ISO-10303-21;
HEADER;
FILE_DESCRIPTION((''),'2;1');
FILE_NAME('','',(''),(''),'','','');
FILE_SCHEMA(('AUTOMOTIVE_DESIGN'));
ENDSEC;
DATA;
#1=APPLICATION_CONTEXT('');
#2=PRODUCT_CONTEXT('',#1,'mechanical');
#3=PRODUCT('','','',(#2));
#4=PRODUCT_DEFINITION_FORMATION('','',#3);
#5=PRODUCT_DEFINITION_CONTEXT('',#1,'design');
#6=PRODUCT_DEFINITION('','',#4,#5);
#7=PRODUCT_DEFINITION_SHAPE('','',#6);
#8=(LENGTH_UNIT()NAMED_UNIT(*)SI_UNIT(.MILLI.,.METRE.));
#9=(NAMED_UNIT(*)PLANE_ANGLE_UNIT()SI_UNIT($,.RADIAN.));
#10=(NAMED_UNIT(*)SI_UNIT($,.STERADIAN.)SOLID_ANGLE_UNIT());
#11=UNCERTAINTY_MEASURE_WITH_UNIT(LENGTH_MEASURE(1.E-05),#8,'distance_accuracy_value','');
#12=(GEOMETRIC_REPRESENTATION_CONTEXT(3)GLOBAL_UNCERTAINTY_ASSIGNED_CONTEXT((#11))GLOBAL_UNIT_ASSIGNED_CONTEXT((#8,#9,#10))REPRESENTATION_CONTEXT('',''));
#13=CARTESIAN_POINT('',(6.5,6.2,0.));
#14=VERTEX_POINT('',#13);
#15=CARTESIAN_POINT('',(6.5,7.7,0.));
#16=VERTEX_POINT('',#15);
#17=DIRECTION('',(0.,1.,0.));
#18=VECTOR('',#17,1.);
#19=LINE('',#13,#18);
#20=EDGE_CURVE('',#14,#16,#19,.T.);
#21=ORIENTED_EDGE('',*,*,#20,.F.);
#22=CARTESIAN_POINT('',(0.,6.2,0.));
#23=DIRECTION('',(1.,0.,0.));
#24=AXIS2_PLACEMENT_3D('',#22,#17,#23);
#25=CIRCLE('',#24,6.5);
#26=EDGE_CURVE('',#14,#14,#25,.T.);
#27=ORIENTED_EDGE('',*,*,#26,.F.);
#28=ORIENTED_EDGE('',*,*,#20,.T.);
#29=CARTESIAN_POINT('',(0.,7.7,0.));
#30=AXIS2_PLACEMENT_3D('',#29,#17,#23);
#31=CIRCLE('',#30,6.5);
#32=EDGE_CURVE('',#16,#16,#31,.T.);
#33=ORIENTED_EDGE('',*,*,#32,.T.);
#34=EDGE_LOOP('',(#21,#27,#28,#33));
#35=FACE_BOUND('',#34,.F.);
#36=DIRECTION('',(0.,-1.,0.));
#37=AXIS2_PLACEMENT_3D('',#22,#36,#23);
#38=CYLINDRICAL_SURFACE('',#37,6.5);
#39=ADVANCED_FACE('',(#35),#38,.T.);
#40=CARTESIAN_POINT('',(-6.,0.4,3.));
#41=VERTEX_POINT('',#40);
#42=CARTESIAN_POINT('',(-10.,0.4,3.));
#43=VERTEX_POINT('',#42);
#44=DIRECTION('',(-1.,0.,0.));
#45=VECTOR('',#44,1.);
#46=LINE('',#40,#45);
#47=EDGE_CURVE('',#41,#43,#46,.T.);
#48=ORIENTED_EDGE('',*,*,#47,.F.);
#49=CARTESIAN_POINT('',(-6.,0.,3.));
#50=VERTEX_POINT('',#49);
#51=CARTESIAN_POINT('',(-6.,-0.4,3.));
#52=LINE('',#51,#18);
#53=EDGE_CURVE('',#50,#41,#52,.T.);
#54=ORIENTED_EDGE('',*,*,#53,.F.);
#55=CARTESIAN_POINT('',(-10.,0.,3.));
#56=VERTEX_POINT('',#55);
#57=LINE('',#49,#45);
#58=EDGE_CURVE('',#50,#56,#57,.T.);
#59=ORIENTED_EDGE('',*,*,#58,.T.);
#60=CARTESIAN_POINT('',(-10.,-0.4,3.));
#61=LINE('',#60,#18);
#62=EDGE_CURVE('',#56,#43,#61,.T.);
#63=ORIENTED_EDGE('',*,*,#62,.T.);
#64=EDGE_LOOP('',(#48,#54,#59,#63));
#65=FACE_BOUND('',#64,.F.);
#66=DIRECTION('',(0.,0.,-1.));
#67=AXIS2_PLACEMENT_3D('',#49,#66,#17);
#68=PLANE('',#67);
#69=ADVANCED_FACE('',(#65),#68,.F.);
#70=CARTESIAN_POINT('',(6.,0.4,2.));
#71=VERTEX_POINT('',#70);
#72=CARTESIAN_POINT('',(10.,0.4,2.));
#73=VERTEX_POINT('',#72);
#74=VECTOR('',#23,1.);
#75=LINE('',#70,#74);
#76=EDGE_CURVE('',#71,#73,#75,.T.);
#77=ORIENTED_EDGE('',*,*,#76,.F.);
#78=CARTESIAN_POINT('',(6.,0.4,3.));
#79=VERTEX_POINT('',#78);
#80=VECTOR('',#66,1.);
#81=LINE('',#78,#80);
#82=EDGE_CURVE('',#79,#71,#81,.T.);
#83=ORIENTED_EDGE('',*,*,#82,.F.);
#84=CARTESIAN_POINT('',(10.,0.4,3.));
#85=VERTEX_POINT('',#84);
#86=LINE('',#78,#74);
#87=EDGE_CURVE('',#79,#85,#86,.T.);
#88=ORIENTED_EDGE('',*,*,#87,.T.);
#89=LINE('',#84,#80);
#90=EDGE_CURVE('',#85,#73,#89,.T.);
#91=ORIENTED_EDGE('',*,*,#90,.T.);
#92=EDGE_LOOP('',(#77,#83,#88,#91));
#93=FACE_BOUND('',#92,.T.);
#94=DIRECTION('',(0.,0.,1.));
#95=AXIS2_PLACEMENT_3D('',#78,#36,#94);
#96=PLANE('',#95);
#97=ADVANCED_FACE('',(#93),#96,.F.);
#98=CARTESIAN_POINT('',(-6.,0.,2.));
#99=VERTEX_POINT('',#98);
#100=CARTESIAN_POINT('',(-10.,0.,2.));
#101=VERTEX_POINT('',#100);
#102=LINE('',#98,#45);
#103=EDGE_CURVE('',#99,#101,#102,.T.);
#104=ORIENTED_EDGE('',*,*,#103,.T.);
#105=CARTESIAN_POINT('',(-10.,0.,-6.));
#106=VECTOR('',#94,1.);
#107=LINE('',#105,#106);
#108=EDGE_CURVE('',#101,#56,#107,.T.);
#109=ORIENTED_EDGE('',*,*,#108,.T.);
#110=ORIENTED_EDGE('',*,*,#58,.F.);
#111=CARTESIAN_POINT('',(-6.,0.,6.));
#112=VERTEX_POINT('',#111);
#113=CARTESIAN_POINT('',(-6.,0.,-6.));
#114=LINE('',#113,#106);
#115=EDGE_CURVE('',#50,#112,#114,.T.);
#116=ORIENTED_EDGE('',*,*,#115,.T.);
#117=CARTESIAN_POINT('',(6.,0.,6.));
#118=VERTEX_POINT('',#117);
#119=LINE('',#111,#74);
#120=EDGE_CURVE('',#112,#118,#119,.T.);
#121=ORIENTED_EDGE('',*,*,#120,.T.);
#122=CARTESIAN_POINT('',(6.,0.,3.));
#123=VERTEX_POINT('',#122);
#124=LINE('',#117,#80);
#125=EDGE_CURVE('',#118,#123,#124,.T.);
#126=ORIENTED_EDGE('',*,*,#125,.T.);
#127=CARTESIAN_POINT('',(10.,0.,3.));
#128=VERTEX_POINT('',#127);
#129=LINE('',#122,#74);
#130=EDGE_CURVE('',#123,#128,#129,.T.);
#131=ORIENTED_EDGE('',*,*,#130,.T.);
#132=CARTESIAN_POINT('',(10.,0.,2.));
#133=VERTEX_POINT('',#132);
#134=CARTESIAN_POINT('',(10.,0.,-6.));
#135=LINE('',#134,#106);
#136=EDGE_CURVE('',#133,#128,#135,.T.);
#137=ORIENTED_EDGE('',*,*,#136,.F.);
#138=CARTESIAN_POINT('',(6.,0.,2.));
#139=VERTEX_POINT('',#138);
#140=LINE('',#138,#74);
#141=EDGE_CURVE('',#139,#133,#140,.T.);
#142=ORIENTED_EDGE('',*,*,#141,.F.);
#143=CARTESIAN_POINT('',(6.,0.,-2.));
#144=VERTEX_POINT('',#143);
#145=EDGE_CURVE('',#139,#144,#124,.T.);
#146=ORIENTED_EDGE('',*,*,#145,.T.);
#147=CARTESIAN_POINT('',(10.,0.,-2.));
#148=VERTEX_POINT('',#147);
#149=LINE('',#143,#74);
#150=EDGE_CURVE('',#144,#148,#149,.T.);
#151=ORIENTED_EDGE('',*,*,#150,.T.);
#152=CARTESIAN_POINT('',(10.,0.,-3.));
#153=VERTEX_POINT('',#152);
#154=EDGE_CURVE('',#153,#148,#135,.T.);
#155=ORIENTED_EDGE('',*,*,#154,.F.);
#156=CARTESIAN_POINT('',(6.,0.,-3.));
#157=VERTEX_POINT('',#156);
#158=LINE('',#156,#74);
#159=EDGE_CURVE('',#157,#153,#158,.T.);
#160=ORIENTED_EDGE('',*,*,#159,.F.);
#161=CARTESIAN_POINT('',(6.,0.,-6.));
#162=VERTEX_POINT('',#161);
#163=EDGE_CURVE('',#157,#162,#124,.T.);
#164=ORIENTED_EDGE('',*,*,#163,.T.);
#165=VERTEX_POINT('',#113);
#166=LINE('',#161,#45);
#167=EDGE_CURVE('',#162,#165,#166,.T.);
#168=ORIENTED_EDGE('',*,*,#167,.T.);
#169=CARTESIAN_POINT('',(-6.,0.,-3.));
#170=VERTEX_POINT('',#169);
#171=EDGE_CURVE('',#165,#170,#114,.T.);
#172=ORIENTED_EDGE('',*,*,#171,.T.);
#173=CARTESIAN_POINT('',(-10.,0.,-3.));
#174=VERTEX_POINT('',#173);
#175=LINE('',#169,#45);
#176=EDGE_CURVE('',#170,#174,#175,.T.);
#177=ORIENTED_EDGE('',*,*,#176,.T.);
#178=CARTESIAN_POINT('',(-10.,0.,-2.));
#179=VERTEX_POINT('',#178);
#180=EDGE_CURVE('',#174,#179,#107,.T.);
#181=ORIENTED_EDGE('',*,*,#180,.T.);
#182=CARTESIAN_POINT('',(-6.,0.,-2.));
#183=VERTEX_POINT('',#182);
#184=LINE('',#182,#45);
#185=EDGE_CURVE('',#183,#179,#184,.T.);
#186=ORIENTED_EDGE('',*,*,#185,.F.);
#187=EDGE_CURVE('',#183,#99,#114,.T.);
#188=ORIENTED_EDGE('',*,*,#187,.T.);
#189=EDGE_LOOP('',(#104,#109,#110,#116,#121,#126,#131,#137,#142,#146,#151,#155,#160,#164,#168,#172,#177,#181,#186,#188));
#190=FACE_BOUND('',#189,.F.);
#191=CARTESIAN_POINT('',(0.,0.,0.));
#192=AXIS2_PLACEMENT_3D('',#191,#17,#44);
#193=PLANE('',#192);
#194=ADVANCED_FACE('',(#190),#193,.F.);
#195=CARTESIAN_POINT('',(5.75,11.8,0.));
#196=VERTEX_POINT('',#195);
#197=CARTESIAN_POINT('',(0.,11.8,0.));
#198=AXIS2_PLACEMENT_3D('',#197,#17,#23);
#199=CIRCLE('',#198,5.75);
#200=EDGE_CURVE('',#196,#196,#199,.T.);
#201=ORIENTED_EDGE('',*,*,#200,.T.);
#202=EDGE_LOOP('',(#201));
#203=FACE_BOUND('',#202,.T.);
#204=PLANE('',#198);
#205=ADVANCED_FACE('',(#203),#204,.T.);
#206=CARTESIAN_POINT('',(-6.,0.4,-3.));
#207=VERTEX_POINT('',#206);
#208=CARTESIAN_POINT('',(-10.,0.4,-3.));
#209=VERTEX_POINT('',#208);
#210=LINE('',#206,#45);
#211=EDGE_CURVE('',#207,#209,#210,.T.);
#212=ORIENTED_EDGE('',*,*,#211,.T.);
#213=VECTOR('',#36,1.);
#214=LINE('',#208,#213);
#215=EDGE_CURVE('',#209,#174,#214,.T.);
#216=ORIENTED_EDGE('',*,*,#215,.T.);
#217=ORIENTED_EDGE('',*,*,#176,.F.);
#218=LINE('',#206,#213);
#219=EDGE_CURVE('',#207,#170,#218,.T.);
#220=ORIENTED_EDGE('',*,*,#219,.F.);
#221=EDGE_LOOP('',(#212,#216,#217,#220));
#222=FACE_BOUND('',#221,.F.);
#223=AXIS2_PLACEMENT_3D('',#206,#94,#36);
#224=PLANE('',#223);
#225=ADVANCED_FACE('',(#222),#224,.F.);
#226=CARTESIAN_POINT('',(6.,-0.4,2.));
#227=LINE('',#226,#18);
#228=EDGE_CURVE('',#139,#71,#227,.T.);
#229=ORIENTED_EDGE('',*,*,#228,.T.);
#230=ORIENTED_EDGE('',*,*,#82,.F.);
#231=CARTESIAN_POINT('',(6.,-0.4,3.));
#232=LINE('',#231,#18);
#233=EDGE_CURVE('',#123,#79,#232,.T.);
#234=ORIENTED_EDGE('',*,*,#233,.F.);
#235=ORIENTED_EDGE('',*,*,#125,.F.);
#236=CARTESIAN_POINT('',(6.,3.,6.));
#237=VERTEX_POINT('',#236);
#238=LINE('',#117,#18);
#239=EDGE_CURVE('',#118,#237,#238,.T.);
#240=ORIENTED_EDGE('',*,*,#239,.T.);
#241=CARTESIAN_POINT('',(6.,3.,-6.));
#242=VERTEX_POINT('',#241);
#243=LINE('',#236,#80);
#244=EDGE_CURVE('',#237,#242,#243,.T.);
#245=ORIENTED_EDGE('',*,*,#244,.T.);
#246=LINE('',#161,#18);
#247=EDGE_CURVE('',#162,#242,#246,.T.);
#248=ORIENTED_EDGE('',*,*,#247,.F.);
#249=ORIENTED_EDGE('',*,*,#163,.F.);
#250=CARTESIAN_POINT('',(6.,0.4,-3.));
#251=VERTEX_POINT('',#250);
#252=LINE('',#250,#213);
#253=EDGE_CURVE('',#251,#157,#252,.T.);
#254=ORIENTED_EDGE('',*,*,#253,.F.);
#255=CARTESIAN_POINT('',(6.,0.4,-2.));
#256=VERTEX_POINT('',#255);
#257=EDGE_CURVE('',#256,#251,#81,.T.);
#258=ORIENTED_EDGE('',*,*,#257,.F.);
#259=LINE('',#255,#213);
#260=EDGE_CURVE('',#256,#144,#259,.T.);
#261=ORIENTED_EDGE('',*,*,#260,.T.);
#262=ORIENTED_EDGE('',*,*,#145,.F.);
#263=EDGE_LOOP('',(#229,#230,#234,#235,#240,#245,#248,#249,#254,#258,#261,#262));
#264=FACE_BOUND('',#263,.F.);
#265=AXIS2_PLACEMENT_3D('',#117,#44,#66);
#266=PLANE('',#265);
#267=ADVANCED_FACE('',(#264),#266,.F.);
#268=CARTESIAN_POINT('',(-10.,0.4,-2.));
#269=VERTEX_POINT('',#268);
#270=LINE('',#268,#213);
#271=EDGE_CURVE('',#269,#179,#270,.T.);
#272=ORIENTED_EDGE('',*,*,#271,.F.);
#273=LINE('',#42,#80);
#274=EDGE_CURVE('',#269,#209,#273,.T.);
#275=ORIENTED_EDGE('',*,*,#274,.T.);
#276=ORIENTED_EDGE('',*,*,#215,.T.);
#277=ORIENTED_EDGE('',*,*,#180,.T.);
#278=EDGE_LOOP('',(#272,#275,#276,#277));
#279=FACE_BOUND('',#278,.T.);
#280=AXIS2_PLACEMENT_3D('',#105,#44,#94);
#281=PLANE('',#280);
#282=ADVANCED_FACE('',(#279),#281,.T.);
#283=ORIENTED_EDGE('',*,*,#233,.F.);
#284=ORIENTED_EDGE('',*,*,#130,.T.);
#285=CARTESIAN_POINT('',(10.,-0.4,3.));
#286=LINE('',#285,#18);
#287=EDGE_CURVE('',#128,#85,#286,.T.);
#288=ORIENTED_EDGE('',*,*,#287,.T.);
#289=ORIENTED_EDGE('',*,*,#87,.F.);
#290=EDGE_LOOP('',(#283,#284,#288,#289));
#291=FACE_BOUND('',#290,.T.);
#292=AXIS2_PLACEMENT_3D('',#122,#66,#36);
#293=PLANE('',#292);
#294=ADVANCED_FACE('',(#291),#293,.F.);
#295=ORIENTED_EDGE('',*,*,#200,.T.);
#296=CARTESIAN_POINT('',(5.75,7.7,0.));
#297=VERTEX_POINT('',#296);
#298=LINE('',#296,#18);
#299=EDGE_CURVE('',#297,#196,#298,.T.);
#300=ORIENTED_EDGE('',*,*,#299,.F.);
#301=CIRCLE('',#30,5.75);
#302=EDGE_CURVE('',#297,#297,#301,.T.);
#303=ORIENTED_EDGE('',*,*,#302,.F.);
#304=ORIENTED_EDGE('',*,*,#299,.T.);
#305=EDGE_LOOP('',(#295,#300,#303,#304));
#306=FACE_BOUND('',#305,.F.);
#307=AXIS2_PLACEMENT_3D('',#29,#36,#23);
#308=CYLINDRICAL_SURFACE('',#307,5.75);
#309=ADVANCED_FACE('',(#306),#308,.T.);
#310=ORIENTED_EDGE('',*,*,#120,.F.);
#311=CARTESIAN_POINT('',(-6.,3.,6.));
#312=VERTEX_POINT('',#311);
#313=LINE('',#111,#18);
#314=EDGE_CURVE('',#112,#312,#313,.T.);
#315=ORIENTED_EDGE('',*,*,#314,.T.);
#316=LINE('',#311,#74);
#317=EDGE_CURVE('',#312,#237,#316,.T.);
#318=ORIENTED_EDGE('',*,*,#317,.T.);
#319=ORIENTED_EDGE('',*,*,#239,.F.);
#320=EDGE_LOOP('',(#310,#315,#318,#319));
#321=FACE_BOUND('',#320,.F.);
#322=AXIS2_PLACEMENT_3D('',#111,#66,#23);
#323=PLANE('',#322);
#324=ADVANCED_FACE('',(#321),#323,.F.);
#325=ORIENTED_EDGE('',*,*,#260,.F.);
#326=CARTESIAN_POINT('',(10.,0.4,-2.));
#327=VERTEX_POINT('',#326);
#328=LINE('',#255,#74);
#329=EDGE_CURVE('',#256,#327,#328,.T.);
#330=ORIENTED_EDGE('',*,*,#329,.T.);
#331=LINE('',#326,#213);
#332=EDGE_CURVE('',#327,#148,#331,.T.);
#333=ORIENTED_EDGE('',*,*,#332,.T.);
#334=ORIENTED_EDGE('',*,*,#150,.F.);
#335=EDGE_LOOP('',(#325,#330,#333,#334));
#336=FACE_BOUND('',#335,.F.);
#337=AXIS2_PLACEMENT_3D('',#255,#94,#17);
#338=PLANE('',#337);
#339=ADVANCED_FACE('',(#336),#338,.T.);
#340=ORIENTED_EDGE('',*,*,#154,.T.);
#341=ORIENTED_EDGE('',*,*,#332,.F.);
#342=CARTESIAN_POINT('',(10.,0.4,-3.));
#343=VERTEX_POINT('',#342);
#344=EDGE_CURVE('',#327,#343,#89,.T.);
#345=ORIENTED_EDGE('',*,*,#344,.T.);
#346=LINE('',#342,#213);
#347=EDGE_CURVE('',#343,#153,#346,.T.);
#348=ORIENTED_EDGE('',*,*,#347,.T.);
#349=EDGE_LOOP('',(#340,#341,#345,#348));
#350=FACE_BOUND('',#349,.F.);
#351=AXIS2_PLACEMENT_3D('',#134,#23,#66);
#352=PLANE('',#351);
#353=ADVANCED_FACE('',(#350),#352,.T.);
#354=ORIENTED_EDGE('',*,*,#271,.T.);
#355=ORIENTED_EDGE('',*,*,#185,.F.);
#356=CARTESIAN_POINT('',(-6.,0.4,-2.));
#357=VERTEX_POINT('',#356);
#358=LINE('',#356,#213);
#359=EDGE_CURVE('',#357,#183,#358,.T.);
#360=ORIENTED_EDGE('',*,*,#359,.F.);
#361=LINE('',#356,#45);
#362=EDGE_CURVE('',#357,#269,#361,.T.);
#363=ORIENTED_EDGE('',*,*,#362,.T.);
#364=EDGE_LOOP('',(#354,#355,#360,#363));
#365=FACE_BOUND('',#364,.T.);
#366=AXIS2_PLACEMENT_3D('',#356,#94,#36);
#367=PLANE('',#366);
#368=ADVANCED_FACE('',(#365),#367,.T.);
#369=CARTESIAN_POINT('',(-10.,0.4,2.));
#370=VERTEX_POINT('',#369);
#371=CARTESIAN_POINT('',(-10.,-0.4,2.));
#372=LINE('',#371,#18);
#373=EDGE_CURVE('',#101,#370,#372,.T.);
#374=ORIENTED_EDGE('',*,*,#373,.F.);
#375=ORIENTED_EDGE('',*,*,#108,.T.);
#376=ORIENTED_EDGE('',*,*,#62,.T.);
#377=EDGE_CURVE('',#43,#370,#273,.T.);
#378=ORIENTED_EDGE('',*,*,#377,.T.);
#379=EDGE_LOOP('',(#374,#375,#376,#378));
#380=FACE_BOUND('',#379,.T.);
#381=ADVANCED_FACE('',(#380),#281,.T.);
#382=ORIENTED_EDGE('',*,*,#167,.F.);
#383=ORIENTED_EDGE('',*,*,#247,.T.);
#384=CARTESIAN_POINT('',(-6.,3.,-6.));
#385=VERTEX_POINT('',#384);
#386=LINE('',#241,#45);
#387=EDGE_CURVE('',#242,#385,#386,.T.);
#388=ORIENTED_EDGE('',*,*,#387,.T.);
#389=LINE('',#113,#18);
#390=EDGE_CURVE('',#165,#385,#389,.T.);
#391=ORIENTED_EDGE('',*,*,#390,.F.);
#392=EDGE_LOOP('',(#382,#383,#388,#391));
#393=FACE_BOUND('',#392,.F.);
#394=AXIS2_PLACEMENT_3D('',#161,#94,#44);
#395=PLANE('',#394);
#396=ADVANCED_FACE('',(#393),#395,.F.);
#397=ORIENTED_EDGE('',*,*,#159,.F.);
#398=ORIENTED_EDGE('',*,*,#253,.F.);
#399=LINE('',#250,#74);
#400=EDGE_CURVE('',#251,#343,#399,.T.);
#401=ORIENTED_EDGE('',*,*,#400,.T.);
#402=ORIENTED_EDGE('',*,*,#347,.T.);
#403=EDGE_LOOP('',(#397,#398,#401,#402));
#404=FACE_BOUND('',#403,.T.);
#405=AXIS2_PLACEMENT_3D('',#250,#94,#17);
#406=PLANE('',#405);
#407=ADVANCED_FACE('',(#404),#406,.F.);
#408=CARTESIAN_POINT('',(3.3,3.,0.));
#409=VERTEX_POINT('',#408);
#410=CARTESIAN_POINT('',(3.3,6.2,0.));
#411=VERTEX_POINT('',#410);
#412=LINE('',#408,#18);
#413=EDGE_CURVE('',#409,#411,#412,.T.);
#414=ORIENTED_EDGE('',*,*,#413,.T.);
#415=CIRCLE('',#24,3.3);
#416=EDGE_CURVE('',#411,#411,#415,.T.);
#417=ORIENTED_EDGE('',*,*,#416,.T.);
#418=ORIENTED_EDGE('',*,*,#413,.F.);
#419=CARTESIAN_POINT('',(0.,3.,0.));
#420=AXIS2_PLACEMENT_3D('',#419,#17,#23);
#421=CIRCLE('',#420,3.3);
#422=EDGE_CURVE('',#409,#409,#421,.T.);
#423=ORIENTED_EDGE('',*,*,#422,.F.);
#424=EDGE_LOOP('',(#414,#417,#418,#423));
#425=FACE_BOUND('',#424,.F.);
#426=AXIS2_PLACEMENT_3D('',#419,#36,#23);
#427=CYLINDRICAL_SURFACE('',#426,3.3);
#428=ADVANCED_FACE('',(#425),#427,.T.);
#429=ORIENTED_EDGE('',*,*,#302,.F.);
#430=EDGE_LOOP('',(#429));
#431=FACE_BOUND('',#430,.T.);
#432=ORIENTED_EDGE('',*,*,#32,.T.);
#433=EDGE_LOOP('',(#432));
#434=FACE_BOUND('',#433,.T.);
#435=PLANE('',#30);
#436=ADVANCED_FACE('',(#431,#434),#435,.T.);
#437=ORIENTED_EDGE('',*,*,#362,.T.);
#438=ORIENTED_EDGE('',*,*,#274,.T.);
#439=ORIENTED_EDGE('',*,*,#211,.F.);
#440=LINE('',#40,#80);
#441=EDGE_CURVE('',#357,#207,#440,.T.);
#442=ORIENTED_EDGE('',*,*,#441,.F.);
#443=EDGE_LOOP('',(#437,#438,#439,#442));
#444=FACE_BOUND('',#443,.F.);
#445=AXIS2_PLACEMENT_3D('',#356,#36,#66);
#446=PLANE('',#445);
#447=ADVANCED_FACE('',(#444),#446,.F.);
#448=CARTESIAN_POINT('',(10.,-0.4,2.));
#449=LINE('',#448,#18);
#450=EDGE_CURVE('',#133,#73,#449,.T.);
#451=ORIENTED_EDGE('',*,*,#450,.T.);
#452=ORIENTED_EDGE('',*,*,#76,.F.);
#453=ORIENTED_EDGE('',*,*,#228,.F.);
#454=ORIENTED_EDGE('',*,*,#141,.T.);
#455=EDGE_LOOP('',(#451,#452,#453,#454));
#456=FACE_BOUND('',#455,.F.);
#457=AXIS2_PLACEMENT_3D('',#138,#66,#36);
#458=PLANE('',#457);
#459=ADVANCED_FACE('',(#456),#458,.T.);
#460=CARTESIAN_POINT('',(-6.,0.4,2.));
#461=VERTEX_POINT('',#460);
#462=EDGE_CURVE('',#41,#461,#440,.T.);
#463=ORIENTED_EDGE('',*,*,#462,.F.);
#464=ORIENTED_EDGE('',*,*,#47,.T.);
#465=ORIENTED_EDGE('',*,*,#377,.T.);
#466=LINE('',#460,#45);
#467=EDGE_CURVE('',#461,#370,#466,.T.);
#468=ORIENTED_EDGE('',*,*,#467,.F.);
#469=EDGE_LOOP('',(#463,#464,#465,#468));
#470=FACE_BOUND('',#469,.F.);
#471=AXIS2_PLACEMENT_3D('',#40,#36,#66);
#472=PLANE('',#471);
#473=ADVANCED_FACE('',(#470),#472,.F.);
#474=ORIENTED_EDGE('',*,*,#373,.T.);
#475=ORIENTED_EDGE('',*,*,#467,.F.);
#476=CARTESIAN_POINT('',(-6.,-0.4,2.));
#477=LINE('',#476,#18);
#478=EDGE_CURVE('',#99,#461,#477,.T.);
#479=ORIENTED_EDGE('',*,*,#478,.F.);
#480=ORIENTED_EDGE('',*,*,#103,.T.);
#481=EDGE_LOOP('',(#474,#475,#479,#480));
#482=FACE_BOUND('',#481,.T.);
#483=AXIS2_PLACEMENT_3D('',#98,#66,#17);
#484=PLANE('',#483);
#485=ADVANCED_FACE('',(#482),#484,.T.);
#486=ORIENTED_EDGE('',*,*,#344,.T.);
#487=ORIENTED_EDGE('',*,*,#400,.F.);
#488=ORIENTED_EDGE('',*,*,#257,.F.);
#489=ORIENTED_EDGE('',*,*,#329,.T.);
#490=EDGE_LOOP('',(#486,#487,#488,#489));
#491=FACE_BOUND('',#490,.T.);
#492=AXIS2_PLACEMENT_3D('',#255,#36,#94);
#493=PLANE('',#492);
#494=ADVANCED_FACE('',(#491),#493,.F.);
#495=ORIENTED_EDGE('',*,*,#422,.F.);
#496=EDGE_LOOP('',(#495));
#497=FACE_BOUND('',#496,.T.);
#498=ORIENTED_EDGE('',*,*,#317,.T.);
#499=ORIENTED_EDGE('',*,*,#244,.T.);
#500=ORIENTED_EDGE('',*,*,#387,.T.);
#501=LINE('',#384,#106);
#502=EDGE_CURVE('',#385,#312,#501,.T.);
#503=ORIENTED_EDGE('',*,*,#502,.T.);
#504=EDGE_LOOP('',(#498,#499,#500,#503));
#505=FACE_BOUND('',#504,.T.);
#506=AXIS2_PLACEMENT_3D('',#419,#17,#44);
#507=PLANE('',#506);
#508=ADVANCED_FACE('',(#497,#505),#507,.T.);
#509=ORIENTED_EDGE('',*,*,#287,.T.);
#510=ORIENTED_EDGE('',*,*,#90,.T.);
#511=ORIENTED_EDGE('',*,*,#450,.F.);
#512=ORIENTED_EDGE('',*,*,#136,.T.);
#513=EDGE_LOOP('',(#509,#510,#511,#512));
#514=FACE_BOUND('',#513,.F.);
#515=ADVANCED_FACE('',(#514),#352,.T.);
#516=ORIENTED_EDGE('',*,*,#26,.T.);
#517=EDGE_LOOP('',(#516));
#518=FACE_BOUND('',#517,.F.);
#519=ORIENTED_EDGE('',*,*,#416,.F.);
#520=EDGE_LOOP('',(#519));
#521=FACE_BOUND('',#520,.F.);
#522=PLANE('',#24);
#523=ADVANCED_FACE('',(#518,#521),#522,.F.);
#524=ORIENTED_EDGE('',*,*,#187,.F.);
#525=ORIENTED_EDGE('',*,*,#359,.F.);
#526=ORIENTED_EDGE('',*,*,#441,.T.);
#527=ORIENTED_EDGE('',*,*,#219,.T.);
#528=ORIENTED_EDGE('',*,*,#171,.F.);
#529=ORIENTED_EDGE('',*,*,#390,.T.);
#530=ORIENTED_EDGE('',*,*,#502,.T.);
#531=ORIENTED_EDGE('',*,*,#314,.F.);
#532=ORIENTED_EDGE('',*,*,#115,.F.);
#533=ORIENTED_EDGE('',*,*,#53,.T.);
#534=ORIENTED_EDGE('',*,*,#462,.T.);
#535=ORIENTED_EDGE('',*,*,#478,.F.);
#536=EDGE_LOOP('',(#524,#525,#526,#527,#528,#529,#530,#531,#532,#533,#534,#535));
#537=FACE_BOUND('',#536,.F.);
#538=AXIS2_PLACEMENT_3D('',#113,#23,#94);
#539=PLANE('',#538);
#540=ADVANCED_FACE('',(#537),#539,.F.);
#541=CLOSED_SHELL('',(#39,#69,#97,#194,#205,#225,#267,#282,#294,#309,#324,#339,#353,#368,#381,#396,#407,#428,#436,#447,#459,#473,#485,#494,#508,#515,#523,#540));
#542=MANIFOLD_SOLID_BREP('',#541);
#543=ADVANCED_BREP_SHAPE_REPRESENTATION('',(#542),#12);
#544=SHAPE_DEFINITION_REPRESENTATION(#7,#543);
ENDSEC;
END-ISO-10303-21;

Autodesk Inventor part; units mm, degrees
ref_plane "YZ Plane" through (0, 0, 0) normal (1, 0, 0) x (0, 1, 0)
ref_plane "XZ Plane" through (0, 0, 0) normal (0, 1, 0) x (-1, 0, 0)
ref_plane "XY Plane" through (0, 0, 0) normal (0, 0, 1) x (1, 0, 0)
sketch "Sketch3" plane through (0, 0, 0) normal (0, 1, 0) x (-1, 0, 0)
  line L0 (6, 6) -> (-6, 6)
  line L1 (-6, 6) -> (-6, -6)
  line L2 (-6, -6) -> (6, -6)
  line L3 (6, -6) -> (6, 6)
  line L4 (6, 6) -> (-6, -6) construction
  line L5 (-6, 6) -> (6, -6) construction
  point P0 (0, 0)
  dimension "d7" = 12
  dimension "d8" = 12
extrude "Extrusion3" add sketch "Sketch3" along normal blind 3
sketch "Sketch4" plane through (0, 3, 0) normal (0, 1, 0) x (1, 0, 0)
  circle A0 centre (0, 0) radius 3.3
  dimension "d11" = 6.6
extrude "Extrusion4" add sketch "Sketch4" along normal blind 3.2
sketch "Sketch5" plane through (0, 6.2, 0) normal (0, 1, 0) x (1, 0, 0)
  circle A0 centre (0, 0) radius 6.5
  dimension "d14" = 13
extrude "Extrusion5" add sketch "Sketch5" along normal blind 1.5
sketch "Sketch6" plane through (0, 7.7, 0) normal (0, 1, 0) x (1, 0, 0)
  circle A0 centre (0, 0) radius 5.75
  dimension "d17" = 11.5
extrude "Extrusion6" add sketch "Sketch6" along normal blind 4.1
sketch "Sketch7" plane through (-6, 0, -6) normal (-1, 0, 0) x (0, 0, 1)
  line L0 (3, -0.4) -> (9, -0.4)
  line L1 (9, -0.4) -> (9, 0.4)
  line L2 (9, 0.4) -> (3, 0.4)
  line L3 (3, 0.4) -> (3, -0.4)
  line L4 (3, -0.4) -> (9, 0.4) construction
  line L5 (9, -0.4) -> (3, 0.4) construction
  line L6 (4, -0.4) -> (8, -0.4)
  line L7 (8, -0.4) -> (8, 0.4)
  line L8 (8, 0.4) -> (4, 0.4)
  line L9 (4, 0.4) -> (4, -0.4)
  line L10 (4, -0.4) -> (8, 0.4) construction
  line L11 (8, -0.4) -> (4, 0.4) construction
  line L12 (0, 0) -> (12, 0) projected
  point P0 (6, 0)
  point P1 (8, 0)
  point P2 (9, 0)
  point P3 (3, 0)
  point P4 (4, 0)
  dimension "d20" = 6
  dimension "d21" = 0.8
  dimension "d22" = 4
extrude "Extrusion7" add sketch "Sketch7" along normal blind 4 contours L3 L2 L9 L12 | L7 L2 L1 L12
mirror "Mirror1" about plane through (0, 0, 0) normal (1, 0, 0) of "Extrusion7"
properties part number "Button"
